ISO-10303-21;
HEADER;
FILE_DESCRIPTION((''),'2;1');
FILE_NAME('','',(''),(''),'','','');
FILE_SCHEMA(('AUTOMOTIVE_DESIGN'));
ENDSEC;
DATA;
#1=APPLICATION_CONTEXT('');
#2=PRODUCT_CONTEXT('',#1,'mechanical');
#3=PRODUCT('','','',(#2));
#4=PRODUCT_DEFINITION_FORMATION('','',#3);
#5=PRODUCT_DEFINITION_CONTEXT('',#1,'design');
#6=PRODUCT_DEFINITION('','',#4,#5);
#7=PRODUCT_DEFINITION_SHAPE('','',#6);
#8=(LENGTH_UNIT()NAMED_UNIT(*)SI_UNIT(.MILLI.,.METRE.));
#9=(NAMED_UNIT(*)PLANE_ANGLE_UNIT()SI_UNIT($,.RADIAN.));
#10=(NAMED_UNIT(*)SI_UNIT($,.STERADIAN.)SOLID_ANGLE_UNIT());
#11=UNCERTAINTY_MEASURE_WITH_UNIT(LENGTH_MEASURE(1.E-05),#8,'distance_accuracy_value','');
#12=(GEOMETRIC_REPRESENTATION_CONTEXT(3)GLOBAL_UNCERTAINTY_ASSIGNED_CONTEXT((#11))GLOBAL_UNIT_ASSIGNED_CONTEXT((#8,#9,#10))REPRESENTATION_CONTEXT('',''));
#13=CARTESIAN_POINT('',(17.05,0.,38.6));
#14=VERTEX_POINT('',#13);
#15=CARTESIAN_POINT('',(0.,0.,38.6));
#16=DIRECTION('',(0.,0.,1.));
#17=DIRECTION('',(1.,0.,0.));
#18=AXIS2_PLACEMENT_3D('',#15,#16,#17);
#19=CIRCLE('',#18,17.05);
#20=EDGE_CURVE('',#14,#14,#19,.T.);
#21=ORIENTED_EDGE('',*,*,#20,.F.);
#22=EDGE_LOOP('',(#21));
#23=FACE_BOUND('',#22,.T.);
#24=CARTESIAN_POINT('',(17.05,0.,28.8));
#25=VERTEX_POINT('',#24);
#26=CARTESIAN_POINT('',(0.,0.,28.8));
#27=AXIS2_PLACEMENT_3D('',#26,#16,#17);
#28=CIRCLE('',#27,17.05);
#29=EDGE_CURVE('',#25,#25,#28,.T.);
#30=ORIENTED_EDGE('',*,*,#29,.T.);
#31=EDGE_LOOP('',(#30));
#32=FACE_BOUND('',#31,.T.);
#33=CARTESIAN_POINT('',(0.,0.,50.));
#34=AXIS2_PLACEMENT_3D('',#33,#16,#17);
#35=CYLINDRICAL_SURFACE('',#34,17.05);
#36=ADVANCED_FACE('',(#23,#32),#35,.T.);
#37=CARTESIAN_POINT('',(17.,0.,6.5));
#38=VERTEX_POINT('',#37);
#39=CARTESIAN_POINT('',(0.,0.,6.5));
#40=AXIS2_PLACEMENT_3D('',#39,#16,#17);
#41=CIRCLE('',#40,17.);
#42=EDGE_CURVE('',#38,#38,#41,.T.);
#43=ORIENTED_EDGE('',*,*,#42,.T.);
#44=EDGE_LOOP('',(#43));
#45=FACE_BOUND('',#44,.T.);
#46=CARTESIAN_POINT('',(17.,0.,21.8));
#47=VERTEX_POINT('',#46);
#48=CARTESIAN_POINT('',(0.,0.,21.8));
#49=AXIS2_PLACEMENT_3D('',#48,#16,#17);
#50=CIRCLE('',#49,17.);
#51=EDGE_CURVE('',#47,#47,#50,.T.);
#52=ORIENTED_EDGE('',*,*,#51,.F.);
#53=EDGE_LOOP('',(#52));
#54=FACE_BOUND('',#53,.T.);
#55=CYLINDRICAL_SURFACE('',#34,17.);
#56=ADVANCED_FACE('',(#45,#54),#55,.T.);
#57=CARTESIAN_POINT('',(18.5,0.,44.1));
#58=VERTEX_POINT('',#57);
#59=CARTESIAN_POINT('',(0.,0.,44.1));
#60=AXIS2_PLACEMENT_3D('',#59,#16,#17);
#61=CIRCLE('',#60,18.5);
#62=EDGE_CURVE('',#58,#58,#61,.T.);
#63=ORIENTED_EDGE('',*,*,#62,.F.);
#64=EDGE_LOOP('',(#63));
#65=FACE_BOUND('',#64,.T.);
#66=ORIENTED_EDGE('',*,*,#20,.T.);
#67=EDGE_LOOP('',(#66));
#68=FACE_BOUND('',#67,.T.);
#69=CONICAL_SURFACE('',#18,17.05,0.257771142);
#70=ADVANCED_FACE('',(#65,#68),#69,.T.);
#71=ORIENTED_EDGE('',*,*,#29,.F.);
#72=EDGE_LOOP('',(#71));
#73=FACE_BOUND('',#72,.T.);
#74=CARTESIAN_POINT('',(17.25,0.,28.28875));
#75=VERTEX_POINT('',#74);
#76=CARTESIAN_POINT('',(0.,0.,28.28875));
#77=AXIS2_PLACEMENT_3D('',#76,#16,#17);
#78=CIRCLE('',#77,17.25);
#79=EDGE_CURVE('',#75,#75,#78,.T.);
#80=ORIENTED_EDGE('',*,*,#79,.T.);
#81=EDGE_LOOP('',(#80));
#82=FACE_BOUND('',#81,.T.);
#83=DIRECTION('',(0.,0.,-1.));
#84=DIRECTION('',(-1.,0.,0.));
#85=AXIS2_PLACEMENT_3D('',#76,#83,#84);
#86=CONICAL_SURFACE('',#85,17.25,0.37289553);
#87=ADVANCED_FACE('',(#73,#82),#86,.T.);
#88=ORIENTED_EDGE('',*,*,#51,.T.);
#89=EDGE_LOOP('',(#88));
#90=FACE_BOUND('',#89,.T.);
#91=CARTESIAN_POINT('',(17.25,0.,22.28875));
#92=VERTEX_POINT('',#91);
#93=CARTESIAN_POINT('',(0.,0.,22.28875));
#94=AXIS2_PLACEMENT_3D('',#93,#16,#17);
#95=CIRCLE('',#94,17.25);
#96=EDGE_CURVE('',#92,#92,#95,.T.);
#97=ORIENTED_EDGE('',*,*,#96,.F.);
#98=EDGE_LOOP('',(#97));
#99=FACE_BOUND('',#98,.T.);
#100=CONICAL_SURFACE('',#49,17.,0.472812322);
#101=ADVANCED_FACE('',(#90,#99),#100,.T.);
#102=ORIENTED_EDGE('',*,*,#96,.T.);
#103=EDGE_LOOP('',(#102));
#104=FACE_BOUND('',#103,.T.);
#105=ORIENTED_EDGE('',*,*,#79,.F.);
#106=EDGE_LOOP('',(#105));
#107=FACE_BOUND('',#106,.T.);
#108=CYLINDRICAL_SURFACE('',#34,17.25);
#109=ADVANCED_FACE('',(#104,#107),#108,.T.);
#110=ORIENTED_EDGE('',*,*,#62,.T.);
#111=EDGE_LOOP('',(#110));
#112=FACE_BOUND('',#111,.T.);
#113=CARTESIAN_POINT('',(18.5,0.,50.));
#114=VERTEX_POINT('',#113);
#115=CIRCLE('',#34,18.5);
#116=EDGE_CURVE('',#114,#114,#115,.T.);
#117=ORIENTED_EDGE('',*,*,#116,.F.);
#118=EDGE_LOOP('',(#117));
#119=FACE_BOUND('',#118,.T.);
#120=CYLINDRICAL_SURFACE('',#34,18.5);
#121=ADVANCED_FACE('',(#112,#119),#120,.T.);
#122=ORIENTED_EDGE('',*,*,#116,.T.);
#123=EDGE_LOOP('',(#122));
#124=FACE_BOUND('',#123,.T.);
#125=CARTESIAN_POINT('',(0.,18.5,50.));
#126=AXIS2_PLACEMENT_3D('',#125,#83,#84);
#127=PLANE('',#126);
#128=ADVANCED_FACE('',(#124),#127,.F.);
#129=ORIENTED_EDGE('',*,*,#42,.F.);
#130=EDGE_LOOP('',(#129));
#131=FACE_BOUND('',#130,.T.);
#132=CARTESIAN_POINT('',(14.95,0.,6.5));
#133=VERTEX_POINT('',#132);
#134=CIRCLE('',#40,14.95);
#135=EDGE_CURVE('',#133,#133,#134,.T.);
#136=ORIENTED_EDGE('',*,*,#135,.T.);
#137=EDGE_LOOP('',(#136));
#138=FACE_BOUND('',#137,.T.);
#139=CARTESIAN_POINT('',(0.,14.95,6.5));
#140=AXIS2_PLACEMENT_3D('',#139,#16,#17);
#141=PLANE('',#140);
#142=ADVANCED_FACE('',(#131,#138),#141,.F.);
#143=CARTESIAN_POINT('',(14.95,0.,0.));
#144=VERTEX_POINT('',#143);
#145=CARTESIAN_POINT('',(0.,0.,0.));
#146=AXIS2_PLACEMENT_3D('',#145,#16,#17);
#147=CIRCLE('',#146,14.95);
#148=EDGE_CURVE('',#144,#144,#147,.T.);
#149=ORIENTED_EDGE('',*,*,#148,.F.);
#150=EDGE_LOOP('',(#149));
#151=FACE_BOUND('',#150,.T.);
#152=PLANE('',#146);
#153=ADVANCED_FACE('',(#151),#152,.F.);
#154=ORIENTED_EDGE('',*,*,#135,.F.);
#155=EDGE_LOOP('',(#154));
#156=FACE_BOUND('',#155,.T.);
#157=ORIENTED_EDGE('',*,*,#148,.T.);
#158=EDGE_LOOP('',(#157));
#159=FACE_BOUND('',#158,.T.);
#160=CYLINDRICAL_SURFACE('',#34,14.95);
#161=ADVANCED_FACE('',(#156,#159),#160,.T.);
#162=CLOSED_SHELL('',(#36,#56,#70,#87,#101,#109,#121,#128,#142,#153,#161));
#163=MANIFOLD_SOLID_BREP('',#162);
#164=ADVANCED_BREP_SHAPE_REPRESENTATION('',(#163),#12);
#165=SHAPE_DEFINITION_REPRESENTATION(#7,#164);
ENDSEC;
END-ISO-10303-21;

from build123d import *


with BuildPart() as part:
    # 草图1 → 旋转1 (revolve)
    with BuildSketch(Plane(origin=(0, 0, 0), x_dir=(0, 0, -1), z_dir=(1, 0, 0)), mode=Mode.PRIVATE) as revolve_1_sk:
        Polygon((0, 0), (0, 14.95), (-6.5, 14.95), (-6.5, 17), (-21.8, 17), (-22.28875, 17.25), (-28.28875, 17.25), (-28.8, 17.05), (-38.6, 17.05), (-44.1, 18.5), (-50, 18.5), (-50, 0), align=None)
    revolve(revolve_1_sk.sketch.rotate(Axis((0, 0, 50), (0, 0, -1)), 90), axis=Axis((0, 0, 50), (0, 0, -1)))


solid = part.part
